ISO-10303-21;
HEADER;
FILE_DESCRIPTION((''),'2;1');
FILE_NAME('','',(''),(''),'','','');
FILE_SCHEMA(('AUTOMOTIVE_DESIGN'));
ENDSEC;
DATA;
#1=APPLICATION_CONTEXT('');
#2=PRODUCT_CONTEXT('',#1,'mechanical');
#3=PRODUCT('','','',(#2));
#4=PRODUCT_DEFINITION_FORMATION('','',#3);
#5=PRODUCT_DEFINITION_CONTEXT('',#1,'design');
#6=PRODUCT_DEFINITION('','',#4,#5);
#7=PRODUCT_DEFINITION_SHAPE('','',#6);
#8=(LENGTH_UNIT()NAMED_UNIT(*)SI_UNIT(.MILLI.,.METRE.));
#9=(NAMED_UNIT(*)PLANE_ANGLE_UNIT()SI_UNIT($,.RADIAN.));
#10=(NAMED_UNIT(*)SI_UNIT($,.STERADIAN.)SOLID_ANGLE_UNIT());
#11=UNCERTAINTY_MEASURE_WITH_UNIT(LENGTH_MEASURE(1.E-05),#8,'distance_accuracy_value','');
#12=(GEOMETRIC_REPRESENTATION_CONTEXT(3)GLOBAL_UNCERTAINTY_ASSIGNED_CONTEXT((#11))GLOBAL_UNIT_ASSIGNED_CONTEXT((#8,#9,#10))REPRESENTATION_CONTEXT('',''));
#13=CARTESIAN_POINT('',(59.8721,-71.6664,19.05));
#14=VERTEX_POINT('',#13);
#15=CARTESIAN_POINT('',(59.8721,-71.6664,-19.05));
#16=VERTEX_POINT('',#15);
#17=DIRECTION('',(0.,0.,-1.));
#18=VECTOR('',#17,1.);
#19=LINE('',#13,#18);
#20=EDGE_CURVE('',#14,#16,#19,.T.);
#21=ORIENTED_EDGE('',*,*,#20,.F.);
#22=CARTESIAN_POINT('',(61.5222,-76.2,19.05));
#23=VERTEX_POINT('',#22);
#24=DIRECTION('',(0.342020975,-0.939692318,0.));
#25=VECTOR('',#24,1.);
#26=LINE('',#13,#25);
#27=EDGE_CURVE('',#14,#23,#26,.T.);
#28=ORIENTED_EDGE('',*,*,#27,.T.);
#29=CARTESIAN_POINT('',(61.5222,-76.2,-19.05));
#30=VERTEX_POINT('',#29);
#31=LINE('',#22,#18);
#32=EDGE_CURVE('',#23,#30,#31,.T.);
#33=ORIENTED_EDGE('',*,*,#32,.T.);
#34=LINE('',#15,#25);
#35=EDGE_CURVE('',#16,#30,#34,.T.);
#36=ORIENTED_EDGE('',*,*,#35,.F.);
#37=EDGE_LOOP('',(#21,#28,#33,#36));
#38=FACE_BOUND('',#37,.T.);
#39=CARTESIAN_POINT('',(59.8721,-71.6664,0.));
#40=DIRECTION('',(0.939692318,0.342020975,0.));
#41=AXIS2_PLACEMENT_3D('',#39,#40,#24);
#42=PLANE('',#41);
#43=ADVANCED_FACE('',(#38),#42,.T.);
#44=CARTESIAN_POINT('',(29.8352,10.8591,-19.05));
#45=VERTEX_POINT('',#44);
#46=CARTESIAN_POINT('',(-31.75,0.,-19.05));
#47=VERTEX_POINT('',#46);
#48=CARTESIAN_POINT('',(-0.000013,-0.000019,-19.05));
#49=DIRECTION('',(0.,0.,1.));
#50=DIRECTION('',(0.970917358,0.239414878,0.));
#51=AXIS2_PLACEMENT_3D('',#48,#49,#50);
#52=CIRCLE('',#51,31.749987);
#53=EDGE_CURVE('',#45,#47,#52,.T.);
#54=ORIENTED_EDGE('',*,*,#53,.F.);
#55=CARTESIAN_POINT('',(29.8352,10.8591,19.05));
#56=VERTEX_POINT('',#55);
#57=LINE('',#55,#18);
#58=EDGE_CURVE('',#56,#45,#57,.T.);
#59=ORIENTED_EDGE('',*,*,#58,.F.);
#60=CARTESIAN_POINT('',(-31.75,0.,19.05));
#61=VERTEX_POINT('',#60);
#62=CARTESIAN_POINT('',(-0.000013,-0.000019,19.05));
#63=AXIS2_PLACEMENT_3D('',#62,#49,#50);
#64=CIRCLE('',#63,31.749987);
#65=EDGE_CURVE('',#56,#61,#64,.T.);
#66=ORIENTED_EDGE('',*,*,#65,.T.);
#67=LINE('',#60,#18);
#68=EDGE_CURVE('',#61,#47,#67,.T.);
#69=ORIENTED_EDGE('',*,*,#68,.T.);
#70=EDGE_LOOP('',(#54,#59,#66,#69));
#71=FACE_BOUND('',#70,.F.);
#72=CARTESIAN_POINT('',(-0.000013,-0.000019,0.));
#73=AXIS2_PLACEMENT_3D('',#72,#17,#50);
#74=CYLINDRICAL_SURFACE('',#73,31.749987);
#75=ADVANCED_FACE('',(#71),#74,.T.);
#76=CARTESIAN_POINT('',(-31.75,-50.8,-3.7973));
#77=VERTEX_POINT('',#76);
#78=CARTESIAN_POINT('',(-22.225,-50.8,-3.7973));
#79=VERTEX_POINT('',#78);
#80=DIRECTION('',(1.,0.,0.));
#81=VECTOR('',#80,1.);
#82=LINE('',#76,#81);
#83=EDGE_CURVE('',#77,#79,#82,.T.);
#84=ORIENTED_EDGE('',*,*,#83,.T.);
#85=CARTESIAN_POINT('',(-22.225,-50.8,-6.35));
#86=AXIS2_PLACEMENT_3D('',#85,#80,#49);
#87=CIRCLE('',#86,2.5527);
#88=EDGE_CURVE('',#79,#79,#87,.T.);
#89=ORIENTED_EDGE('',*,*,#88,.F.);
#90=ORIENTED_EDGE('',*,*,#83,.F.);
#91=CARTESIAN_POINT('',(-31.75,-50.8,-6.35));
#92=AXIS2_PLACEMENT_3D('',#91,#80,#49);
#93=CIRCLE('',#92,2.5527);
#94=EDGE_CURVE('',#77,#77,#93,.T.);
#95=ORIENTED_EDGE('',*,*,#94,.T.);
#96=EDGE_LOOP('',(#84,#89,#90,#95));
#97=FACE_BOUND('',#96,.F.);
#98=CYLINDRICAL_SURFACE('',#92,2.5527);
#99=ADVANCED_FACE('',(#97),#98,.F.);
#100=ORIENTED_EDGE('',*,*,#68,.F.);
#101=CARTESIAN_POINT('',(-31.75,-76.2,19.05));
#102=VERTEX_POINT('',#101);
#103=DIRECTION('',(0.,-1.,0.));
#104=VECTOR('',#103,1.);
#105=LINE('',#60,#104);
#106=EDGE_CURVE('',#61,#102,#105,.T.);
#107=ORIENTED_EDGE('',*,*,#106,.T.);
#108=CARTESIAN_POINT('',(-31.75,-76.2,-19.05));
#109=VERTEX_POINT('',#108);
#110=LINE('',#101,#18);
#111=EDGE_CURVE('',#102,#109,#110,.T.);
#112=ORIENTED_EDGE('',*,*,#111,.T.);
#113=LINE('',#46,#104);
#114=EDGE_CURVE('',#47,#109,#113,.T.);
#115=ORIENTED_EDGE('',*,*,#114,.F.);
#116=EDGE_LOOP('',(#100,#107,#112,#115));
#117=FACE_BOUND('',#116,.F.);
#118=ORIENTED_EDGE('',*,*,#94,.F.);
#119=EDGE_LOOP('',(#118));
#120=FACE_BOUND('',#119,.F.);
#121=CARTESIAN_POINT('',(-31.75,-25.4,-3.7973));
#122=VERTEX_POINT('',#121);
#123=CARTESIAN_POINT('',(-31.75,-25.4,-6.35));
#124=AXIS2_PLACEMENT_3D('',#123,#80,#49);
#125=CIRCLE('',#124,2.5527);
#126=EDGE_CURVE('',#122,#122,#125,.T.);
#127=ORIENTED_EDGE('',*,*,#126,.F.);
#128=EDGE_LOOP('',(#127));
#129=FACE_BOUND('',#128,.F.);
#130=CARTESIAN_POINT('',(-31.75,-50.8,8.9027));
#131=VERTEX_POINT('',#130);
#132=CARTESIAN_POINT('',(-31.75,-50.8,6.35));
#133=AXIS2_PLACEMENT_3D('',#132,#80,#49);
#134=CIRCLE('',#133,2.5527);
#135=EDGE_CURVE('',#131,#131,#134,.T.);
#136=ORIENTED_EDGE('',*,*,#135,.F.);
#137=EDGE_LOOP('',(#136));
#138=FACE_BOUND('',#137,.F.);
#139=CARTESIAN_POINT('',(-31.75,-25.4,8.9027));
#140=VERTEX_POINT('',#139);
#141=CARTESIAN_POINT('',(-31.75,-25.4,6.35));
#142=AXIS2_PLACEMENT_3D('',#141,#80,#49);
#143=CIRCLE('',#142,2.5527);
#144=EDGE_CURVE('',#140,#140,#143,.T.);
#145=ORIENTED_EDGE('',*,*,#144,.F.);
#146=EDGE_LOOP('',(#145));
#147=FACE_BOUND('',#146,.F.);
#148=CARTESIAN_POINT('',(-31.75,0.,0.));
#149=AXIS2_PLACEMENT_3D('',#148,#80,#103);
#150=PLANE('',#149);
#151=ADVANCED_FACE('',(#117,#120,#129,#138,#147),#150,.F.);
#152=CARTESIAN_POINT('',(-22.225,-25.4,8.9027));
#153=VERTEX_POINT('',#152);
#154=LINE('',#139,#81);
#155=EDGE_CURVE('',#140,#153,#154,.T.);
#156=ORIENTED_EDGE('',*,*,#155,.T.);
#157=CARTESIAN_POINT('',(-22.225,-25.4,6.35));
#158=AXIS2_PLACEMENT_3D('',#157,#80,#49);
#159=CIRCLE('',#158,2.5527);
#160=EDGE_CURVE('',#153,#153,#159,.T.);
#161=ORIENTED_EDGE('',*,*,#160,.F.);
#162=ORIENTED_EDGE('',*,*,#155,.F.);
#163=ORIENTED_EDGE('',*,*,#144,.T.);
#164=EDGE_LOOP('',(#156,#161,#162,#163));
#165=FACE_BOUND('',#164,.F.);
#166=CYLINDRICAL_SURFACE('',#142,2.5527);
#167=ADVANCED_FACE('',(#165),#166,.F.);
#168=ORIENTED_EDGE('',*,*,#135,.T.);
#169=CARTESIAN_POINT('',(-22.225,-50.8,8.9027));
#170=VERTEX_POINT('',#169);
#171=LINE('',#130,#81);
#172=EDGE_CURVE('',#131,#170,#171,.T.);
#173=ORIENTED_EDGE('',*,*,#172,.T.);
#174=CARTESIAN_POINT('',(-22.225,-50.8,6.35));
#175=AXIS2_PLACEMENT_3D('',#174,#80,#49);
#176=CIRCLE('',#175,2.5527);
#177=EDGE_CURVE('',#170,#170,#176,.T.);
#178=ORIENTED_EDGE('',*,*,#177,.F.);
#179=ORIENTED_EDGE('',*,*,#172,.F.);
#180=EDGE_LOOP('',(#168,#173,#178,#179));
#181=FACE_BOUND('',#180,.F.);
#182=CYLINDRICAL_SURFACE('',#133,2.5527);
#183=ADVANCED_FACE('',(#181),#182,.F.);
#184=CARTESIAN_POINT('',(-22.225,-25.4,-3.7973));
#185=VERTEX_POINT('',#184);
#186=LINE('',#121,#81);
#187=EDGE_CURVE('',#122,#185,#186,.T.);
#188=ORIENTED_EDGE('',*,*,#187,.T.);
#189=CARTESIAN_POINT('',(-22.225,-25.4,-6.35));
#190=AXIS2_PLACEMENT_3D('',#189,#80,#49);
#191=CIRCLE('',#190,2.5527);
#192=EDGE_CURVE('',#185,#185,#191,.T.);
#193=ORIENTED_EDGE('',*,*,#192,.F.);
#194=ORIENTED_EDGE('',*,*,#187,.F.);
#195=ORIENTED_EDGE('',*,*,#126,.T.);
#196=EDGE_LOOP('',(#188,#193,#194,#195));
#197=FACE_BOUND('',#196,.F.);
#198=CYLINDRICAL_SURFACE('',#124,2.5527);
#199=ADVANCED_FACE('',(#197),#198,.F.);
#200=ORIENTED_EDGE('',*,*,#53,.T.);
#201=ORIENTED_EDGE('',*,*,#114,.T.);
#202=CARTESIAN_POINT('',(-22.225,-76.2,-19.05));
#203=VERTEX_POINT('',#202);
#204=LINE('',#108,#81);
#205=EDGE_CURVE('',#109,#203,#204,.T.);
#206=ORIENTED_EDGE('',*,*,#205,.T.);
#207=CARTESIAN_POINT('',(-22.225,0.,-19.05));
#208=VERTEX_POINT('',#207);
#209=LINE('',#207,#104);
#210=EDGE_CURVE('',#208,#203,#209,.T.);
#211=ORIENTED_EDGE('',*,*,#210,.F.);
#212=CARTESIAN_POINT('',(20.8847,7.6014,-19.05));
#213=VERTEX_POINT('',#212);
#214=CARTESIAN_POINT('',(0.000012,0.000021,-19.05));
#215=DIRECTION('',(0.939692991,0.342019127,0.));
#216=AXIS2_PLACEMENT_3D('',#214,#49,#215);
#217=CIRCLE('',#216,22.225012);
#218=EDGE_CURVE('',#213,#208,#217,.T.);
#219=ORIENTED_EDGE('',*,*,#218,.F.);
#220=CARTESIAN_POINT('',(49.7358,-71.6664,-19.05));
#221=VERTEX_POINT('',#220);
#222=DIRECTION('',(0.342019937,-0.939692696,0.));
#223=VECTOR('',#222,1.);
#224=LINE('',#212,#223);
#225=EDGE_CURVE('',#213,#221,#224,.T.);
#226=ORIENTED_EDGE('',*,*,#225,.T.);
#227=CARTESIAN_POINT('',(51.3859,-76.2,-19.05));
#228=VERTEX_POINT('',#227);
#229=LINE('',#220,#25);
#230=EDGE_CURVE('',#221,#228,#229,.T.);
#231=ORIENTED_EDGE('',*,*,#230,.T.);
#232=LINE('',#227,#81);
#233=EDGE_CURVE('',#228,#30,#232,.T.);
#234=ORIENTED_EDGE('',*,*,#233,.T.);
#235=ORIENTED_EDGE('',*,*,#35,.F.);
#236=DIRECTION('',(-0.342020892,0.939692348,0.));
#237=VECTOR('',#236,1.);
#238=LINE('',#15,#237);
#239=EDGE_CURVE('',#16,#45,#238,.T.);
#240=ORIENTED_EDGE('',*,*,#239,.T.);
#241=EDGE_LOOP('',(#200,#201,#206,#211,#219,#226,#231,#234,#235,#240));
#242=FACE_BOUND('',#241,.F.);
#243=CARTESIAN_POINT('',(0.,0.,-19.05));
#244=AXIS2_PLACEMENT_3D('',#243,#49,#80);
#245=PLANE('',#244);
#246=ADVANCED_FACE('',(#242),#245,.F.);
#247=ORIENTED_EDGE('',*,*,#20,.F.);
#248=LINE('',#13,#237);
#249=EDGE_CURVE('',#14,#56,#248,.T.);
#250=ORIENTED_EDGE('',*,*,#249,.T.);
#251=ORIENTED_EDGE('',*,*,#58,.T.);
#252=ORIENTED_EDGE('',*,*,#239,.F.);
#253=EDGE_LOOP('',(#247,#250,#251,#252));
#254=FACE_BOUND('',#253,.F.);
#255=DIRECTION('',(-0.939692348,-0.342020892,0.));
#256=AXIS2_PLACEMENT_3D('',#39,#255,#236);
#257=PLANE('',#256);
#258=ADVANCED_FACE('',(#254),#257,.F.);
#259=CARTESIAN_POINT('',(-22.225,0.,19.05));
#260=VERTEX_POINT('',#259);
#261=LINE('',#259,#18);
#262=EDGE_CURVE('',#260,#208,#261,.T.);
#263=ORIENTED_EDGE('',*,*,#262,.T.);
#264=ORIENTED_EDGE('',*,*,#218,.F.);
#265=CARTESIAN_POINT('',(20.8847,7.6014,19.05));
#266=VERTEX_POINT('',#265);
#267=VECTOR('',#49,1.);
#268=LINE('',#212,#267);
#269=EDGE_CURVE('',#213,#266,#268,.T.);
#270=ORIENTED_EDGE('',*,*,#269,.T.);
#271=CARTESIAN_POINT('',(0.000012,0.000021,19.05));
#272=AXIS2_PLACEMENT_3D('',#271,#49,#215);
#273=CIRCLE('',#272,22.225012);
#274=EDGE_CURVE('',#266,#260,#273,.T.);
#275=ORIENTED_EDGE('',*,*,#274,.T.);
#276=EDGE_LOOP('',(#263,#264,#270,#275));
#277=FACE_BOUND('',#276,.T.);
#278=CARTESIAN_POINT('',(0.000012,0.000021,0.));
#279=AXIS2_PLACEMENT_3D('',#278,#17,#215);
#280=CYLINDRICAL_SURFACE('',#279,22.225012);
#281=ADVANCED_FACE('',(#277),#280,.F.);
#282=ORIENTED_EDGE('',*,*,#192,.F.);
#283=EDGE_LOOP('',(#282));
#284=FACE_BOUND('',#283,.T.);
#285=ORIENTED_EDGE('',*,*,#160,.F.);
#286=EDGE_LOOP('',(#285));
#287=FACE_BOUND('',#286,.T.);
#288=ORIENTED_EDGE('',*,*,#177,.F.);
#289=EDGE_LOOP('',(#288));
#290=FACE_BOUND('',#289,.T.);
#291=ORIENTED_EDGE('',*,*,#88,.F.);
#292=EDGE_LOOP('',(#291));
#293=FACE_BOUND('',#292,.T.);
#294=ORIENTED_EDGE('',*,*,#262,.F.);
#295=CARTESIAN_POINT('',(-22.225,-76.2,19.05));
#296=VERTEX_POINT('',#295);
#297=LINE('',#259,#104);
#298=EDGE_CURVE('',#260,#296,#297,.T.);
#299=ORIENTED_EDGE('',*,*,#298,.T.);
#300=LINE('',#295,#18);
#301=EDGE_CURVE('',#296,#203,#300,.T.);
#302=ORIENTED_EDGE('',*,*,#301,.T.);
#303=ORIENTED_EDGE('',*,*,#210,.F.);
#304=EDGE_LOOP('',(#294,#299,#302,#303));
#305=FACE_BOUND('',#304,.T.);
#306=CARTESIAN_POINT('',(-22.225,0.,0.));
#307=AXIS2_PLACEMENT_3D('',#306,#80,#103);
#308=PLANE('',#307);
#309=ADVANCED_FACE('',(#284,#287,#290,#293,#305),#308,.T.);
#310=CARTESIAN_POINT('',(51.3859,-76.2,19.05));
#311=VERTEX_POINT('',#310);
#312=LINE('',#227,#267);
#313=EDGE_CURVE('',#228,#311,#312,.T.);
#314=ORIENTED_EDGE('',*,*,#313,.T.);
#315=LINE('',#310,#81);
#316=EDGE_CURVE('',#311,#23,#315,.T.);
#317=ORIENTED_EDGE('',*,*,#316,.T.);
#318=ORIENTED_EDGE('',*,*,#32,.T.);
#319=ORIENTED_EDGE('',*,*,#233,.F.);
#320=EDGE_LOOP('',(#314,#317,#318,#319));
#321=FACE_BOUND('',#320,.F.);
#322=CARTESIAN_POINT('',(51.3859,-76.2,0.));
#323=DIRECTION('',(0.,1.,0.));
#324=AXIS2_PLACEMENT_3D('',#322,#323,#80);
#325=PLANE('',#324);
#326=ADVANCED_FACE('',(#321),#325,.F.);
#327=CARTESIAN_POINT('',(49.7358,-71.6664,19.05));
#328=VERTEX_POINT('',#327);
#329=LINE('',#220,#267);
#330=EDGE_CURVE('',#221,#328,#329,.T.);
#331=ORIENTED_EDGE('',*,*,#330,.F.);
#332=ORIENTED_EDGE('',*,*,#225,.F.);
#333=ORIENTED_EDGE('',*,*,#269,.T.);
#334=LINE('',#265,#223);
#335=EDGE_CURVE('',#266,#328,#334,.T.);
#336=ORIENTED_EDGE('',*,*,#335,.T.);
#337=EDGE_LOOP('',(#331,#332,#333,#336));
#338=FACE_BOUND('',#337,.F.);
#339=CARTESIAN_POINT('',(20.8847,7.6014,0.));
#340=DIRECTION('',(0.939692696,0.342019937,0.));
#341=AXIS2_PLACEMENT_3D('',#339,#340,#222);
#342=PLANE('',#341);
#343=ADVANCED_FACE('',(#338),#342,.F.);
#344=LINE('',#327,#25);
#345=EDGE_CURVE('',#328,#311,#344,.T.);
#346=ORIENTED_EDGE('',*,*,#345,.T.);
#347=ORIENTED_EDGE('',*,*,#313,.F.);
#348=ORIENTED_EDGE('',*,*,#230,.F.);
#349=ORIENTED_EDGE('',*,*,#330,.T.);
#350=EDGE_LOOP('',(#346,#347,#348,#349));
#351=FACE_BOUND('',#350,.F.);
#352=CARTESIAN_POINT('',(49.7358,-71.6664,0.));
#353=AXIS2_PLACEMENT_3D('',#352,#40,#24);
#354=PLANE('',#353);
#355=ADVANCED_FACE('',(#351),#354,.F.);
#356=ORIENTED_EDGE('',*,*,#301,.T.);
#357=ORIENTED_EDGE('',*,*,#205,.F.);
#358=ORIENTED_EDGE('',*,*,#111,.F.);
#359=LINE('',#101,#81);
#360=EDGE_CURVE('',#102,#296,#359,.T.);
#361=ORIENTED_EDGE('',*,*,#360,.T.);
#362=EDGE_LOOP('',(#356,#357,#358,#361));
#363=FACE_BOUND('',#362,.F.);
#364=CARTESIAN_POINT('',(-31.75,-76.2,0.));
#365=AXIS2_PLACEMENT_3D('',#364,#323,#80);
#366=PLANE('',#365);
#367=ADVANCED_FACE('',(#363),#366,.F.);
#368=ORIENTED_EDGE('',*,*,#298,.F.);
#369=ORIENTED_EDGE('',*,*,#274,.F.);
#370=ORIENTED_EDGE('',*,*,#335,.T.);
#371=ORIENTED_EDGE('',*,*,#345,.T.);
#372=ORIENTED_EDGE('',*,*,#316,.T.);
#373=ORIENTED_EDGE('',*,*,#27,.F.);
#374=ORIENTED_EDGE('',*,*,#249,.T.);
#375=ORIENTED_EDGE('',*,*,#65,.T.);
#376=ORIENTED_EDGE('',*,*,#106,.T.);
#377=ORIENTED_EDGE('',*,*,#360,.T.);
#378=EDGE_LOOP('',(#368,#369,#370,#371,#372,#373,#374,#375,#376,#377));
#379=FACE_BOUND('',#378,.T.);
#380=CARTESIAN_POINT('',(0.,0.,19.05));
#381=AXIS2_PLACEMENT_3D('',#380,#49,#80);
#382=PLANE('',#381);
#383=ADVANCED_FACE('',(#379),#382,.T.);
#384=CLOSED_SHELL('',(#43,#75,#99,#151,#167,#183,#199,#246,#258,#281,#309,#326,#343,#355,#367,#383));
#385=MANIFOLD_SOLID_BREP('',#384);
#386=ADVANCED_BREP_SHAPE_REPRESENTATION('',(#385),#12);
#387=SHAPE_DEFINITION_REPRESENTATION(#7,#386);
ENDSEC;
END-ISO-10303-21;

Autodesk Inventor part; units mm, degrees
ref_plane "YZ Plane" through (0, 0, 0) normal (1, 0, 0) x (0, 1, 0)
ref_plane "XZ Plane" through (0, 0, 0) normal (0, 1, 0) x (-1, 0, 0)
ref_plane "XY Plane" through (0, 0, 0) normal (0, 0, 1) x (1, 0, 0)
sketch "Sketch1" plane through (0, 0, 0) normal (0, 0, 1) x (1, 0, 0)
  arc A0 (20.8847, 7.6014) -> (-22.225, 0) centre (0, 0) ccw
  line L0 (-22.225, 0) -> (-22.225, -76.2)
  line L1 (20.8847, 7.6014) -> (49.7358, -71.6664)
  line L2 (20.8847, 7.6014) -> (105.2397, 7.6014) construction
  arc A1 (30.8266, 7.6014) -> (-31.75, 0) centre (0, 0) ccw
  line L3 (-31.75, 0) -> (-31.75, -76.2)
  line L4 (-31.75, -76.2) -> (-22.225, -76.2)
  line L5 (59.8721, -71.6664) -> (29.8352, 10.8591)
  line L6 (-22.225, -76.2) -> (104.775, -76.2) construction
  line L7 (49.7358, -71.6664) -> (51.3859, -76.2)
  line L8 (59.8721, -71.6664) -> (61.5222, -76.2)
  line L9 (51.3859, -76.2) -> (61.5222, -76.2)
  dimension "d0" = 44.45
  dimension "d1" = 76.2
  dimension "d2" = 70
  dimension "d3" = 63.5
  dimension "d4" = 9.525
  dimension "d5" = 127
extrude "Extrusion1" add sketch "Sketch1" along normal mid plane 38.1
sketch "Sketch2" plane through (-31.75, -76.2, 19.05) normal (-1, 0, 0) x (0, 0, 1)
  line L0 (-38.1, 0) -> (0, 0) construction
  line L1 (-12.7, 0) -> (-12.7, 76.2) construction
  line L2 (0, 76.2) -> (0, 0) projected
  line L3 (0, 0) -> (0, 76.2) construction
  line L4 (0, 25.4) -> (-38.1, 25.4) construction
  line L5 (-38.1, 76.2) -> (-38.1, 0) construction
  point P0 (-19.05, 76.2)
  point P1 (-12.7, 25.4)
  point P2 (-12.7, 50.8)
  point P3 (-25.4, 25.4)
  point P4 (-25.4, 50.8)
  dimension "d8" = 12.7
  dimension "d9" = 25.4
  dimension "d12" = 25.4
  dimension "d15" = 12.7
hole "Hole1" at (-31.75, -50.8, 6.35) at (-31.75, -25.4, 6.35) at (-31.75, -50.8, -6.35) at (-31.75, -25.4, -6.35) direction (1, 0, 0) diameter 5.1054 depth 13.6144 tip angle 118 clearance for "Hex Machine Screw" size "#10" standard "Ansi Unified Screw Threads"
properties part number "simpleLoopForLifting"
